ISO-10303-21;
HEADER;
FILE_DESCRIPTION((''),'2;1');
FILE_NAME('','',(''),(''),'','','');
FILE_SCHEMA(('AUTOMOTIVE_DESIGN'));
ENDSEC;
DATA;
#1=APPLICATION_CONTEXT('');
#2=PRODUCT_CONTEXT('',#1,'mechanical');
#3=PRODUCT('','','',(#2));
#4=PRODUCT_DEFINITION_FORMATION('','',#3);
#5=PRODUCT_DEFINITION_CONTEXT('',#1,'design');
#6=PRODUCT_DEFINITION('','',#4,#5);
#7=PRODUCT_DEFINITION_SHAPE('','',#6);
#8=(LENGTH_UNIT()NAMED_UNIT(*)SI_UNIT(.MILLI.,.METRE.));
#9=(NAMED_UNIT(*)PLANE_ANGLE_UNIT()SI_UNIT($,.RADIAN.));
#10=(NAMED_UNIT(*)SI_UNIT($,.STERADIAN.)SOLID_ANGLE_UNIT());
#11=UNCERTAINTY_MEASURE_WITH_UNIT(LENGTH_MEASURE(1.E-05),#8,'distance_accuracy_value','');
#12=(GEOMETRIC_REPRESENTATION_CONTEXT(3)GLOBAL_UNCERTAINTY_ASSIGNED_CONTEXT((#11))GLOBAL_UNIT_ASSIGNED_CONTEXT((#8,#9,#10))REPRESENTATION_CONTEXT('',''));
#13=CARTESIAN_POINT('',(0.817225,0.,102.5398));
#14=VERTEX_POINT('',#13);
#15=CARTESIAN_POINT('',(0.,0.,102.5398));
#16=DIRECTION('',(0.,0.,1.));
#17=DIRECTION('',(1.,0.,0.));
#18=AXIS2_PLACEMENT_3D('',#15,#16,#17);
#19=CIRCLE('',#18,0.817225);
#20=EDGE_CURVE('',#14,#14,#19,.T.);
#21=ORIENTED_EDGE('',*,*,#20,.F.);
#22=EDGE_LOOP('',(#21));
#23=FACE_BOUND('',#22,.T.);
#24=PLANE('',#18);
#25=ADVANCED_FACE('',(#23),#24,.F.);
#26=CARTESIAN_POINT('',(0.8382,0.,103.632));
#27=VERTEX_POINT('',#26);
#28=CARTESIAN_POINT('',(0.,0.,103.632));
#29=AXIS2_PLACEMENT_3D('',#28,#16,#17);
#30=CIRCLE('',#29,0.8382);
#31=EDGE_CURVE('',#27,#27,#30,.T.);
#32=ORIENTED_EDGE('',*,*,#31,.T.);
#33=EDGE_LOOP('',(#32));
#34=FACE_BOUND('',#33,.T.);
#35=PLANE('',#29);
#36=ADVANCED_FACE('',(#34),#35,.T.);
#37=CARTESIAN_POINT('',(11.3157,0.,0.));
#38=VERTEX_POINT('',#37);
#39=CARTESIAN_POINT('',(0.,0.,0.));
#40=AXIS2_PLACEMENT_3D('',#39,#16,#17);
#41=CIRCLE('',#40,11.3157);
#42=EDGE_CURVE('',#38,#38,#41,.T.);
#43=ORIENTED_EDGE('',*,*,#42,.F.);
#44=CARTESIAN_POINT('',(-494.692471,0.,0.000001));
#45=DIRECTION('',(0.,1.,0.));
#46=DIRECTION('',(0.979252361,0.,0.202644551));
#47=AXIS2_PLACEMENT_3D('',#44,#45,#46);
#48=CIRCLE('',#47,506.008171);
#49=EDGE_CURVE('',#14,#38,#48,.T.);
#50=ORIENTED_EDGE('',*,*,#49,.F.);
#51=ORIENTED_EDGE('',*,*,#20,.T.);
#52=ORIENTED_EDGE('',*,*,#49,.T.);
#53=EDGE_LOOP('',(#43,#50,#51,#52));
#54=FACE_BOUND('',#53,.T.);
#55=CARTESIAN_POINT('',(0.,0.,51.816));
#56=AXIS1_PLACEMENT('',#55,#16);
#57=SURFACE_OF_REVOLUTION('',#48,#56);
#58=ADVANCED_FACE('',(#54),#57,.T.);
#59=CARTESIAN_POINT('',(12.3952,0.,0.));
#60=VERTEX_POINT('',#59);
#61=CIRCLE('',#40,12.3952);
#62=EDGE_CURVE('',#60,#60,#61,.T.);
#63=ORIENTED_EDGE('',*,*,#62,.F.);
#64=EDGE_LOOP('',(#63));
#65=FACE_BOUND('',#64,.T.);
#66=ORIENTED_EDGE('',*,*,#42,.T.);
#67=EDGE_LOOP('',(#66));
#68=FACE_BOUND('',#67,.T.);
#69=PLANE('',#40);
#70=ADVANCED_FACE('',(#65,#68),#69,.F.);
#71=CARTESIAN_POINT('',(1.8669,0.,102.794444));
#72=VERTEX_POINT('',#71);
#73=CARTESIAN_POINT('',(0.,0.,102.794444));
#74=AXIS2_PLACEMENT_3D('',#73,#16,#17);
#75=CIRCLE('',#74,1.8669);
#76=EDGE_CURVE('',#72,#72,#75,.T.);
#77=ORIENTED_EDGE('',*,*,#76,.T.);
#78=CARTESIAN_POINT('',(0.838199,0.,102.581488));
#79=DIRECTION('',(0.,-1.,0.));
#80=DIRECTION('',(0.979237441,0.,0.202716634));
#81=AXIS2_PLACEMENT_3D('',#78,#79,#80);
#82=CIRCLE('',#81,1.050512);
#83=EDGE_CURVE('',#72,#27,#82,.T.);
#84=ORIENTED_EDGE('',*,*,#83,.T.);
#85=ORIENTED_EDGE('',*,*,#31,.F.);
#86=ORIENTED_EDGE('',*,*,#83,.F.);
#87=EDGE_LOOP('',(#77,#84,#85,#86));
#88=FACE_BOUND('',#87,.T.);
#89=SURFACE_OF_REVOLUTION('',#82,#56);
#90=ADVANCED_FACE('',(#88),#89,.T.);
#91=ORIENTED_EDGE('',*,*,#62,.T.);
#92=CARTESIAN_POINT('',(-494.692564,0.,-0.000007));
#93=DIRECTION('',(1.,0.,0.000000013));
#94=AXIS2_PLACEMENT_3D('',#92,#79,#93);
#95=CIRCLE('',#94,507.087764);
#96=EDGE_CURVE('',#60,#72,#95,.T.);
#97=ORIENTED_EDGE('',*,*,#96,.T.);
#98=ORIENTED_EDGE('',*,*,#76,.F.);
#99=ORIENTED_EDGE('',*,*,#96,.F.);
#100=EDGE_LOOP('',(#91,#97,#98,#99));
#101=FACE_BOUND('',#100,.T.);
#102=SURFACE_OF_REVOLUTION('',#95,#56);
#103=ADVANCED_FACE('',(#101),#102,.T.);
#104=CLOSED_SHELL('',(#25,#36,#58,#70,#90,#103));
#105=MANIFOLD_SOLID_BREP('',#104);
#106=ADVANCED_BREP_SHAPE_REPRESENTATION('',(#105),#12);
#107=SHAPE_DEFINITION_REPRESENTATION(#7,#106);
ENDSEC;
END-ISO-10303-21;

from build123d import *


with BuildPart() as f1:
    # F0 (on Front) → F1 (revolve)
    with BuildSketch(Plane.XZ):
        with BuildLine():
            Line((0, 103.632), (0, 102.5398))
            Line((0, 102.5398), (0.817225, 102.5398))
            ThreePointArc((0.817225, 102.5398), (8.684239, 51.537919), (11.3157, 0))
            Line((11.3157, 0), (12.3952, 0))
            ThreePointArc((12.3952, 0), (9.756258, 51.666098), (1.8669, 102.794444))
            ThreePointArc((1.8669, 102.794444), (1.501473, 103.396131), (0.8382, 103.632))
            Line((0.8382, 103.632), (0, 103.632))
        make_face()
    revolve(axis=Axis((0, 0, 51.816), (0, 0, 1)))


solid = f1.part
